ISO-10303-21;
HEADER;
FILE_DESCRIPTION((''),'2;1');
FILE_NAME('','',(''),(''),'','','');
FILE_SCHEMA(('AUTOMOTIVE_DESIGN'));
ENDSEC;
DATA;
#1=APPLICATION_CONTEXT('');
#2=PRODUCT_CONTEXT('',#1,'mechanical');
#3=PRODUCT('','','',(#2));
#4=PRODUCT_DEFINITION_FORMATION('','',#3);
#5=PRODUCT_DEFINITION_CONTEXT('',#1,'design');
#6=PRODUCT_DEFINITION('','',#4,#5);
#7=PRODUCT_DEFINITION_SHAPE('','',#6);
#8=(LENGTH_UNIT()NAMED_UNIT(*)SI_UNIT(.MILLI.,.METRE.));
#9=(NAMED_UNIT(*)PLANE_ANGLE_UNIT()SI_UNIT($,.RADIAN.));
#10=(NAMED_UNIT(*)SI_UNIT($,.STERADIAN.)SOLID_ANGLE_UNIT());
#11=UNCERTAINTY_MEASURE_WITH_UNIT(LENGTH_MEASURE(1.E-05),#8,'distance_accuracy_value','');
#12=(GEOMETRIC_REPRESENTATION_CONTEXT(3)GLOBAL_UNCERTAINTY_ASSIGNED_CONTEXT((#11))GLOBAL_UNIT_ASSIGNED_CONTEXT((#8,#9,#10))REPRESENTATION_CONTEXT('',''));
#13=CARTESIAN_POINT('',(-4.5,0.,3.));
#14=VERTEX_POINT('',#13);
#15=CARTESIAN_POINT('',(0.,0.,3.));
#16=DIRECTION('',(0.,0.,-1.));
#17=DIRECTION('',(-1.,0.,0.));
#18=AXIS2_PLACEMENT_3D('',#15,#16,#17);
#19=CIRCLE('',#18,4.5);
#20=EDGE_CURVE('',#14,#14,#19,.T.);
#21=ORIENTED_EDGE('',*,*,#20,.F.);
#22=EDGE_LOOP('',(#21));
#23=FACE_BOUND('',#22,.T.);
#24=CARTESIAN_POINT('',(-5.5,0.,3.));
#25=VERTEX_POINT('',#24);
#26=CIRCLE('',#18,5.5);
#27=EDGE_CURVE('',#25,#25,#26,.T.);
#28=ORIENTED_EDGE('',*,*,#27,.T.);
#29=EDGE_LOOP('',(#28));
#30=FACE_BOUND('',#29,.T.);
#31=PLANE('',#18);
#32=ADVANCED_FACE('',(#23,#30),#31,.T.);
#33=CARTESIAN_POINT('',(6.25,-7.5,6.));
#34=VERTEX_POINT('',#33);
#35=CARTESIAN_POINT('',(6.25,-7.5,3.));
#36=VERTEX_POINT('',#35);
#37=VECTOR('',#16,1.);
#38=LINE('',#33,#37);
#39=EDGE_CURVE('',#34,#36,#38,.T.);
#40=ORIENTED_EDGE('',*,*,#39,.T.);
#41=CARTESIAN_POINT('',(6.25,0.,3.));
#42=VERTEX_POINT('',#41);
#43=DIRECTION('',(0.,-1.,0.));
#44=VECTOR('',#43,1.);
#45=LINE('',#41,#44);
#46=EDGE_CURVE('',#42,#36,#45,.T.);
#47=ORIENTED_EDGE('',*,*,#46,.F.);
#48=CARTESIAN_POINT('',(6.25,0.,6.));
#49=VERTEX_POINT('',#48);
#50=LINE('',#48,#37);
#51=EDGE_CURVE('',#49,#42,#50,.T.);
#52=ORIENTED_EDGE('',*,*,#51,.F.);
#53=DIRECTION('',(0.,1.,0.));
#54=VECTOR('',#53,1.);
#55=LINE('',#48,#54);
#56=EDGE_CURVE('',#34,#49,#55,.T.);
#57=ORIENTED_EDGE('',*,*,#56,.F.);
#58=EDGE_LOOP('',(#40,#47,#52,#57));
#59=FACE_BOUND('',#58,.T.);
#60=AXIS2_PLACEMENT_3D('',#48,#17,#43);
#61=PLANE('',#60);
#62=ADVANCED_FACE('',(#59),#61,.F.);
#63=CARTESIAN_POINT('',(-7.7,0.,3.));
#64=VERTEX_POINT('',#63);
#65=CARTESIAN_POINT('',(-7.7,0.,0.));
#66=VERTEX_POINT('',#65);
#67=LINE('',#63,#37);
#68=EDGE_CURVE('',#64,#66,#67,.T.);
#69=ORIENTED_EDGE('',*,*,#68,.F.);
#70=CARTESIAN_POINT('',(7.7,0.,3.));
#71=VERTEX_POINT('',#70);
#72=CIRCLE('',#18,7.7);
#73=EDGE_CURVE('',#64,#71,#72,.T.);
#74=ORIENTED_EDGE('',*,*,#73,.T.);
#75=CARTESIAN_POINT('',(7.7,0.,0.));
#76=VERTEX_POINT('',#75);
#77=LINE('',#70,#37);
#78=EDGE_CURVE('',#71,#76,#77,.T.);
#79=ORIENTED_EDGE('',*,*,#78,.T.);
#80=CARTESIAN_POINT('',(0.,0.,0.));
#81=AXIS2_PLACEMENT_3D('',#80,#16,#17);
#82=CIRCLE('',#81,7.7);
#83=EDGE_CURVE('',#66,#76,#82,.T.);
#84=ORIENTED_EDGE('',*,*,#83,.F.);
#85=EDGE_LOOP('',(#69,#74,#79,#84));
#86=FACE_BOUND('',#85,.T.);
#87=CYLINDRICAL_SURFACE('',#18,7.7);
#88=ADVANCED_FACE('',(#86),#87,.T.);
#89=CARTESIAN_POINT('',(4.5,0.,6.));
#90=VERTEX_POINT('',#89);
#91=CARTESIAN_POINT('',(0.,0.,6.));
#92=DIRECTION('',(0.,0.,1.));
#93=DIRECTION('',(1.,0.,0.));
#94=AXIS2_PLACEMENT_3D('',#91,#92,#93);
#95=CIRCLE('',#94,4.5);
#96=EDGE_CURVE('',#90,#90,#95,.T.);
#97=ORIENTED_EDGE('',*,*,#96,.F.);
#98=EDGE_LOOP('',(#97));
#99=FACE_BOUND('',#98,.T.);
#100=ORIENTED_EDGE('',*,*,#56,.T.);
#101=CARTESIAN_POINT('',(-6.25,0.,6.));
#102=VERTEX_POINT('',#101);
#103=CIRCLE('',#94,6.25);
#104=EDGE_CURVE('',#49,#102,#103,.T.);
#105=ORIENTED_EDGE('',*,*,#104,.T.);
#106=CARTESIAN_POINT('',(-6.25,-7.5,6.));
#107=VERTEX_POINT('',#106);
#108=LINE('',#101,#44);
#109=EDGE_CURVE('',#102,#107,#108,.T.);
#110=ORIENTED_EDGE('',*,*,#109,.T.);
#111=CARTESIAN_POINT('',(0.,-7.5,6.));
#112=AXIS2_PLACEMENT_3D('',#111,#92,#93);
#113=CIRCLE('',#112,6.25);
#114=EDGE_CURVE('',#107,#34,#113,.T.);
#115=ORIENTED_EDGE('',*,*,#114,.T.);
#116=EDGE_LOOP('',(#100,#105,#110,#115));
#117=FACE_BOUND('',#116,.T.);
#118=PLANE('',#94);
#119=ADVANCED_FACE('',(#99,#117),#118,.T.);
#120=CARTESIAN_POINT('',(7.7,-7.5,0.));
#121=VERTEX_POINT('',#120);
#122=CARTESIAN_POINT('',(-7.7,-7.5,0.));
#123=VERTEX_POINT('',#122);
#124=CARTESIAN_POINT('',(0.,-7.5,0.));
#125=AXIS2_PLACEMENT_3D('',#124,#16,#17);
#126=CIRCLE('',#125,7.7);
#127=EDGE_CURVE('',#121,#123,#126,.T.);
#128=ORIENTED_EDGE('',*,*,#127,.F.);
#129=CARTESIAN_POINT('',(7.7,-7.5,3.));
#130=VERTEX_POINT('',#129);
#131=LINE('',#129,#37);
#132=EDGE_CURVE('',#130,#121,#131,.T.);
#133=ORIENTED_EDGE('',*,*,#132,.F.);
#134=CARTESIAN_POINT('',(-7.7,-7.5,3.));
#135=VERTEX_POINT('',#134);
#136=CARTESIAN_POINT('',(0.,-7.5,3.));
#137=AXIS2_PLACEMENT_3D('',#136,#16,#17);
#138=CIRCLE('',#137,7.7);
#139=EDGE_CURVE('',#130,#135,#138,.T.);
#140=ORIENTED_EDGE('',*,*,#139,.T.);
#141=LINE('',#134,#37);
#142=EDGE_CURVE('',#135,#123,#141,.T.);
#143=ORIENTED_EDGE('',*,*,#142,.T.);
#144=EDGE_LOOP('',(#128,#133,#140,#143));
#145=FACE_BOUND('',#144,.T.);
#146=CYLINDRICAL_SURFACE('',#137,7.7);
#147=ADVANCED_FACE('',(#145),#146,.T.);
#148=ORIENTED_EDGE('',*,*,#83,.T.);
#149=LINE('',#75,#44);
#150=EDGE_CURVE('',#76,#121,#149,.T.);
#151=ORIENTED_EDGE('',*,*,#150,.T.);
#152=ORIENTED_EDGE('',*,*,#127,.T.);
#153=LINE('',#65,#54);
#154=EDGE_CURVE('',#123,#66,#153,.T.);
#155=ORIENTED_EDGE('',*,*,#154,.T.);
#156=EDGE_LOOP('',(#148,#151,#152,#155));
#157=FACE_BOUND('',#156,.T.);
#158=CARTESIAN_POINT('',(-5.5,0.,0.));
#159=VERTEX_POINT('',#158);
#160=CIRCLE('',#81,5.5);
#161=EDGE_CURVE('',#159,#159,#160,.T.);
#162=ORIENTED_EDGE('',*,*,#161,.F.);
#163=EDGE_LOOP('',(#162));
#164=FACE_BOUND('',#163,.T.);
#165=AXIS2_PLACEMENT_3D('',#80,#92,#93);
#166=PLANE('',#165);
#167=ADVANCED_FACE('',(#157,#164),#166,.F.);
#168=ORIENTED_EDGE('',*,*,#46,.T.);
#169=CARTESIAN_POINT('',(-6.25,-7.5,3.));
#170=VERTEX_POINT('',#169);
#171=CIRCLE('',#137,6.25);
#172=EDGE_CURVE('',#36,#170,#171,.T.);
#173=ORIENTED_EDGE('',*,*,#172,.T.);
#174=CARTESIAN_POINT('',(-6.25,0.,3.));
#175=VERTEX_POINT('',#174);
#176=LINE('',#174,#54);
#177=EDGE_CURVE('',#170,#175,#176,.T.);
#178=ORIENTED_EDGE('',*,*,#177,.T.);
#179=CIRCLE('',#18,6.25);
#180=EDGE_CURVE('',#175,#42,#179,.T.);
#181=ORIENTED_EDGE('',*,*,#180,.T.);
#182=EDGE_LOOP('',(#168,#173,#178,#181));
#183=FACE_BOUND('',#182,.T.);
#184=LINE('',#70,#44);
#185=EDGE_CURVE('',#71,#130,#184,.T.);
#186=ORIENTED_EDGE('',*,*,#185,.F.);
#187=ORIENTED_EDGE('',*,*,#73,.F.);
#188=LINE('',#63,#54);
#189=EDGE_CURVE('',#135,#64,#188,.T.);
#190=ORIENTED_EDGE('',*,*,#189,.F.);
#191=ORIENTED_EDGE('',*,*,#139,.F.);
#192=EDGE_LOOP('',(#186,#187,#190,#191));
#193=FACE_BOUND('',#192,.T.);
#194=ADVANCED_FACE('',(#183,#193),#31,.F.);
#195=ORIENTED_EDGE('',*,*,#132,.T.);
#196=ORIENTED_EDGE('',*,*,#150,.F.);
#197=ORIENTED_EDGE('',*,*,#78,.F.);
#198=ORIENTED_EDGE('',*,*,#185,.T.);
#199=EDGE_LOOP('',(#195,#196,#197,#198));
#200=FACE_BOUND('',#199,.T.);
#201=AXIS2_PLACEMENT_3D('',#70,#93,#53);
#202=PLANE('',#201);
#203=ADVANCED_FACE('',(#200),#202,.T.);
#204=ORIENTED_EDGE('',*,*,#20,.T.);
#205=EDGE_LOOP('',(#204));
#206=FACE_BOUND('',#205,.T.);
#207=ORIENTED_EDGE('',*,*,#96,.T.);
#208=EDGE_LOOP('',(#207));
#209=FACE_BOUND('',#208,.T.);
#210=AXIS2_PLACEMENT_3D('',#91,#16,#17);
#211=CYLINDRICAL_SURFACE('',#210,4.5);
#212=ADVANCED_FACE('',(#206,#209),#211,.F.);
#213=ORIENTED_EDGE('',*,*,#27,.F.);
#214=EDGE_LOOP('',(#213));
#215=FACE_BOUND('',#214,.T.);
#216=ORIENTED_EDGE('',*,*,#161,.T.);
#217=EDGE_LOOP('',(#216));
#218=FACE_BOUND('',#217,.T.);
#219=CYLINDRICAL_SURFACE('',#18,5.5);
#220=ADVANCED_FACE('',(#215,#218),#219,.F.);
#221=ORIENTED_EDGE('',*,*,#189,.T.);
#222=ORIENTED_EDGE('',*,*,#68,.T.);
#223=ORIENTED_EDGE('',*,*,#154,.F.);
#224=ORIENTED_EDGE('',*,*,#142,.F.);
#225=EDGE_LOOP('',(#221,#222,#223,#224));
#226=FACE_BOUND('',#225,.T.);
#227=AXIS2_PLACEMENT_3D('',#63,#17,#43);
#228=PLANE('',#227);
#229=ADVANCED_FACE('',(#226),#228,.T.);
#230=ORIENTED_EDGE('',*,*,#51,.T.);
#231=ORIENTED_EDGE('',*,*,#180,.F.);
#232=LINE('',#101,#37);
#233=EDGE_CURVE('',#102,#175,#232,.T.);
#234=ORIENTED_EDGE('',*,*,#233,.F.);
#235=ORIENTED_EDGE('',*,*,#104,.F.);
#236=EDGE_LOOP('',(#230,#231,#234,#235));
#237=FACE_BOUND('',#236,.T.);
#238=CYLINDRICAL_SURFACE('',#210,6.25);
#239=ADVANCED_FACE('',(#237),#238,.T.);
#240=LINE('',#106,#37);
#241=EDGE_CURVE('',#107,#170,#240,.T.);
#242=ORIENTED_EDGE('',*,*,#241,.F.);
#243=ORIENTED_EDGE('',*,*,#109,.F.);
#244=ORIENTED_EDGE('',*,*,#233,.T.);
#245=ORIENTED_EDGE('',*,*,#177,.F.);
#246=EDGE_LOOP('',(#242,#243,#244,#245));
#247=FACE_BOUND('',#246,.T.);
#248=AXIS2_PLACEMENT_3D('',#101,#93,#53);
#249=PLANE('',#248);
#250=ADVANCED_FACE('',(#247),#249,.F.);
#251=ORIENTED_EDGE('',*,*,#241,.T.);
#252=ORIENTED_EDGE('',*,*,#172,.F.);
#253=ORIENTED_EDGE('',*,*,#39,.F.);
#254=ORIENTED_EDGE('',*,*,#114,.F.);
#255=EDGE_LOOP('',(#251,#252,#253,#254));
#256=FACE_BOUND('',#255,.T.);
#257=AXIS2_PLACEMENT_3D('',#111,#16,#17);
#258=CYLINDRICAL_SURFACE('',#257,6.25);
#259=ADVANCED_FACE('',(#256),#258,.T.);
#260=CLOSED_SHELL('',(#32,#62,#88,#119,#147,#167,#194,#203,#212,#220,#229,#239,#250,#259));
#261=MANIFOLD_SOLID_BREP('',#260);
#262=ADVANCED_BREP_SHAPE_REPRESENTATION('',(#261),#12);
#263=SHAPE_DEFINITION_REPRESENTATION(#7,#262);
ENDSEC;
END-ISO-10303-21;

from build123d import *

# Parameters (mm, degrees)
SKETCH1_R           = 4.5
BOSS_EXTRUDE1_DEPTH = 6
SKETCH3_R           = 5.5
BOSS_EXTRUDE2_DEPTH = 3
SKETCH4_R           = 5.5
CUT_EXTRUDE1_DEPTH  = 3


with BuildPart() as part:
    # Sketch1 → Boss-Extrude1 (new body)
    with BuildSketch(Plane.XY):
        with BuildLine():
            Line((6.25, 0), (6.25, -7.5))
            ThreePointArc((6.25, -7.5), (0, -13.75), (-6.25, -7.5))
            Line((-6.25, -7.5), (-6.25, 0))
            ThreePointArc((-6.25, 0), (0, 6.25), (6.25, 0))
        make_face()
        Circle(SKETCH1_R, mode=Mode.SUBTRACT)
    extrude(amount=BOSS_EXTRUDE1_DEPTH)

    # Sketch3 → Boss-Extrude2 (add)
    with BuildSketch(Plane(origin=(0, 0, 0), x_dir=(-1, 0, 0), z_dir=(0, 0, -1))):
        with BuildLine():
            Line((7.7, 0), (7.7, -7.5))
            ThreePointArc((7.7, -7.5), (0, -15.2), (-7.7, -7.5))
            Line((-7.7, -7.5), (-7.7, 0))
            ThreePointArc((-7.7, 0), (0, 7.7), (7.7, 0))
        make_face()
        Circle(SKETCH3_R, mode=Mode.SUBTRACT)
    extrude(amount=-BOSS_EXTRUDE2_DEPTH)

    # Sketch4 → Cut-Extrude1 (cut)
    with BuildSketch(Plane(origin=(0, 0, 0), x_dir=(-1, 0, 0), z_dir=(0, 0, -1))):
        Circle(SKETCH4_R)
    extrude(amount=-CUT_EXTRUDE1_DEPTH, mode=Mode.SUBTRACT)


solid = part.part
